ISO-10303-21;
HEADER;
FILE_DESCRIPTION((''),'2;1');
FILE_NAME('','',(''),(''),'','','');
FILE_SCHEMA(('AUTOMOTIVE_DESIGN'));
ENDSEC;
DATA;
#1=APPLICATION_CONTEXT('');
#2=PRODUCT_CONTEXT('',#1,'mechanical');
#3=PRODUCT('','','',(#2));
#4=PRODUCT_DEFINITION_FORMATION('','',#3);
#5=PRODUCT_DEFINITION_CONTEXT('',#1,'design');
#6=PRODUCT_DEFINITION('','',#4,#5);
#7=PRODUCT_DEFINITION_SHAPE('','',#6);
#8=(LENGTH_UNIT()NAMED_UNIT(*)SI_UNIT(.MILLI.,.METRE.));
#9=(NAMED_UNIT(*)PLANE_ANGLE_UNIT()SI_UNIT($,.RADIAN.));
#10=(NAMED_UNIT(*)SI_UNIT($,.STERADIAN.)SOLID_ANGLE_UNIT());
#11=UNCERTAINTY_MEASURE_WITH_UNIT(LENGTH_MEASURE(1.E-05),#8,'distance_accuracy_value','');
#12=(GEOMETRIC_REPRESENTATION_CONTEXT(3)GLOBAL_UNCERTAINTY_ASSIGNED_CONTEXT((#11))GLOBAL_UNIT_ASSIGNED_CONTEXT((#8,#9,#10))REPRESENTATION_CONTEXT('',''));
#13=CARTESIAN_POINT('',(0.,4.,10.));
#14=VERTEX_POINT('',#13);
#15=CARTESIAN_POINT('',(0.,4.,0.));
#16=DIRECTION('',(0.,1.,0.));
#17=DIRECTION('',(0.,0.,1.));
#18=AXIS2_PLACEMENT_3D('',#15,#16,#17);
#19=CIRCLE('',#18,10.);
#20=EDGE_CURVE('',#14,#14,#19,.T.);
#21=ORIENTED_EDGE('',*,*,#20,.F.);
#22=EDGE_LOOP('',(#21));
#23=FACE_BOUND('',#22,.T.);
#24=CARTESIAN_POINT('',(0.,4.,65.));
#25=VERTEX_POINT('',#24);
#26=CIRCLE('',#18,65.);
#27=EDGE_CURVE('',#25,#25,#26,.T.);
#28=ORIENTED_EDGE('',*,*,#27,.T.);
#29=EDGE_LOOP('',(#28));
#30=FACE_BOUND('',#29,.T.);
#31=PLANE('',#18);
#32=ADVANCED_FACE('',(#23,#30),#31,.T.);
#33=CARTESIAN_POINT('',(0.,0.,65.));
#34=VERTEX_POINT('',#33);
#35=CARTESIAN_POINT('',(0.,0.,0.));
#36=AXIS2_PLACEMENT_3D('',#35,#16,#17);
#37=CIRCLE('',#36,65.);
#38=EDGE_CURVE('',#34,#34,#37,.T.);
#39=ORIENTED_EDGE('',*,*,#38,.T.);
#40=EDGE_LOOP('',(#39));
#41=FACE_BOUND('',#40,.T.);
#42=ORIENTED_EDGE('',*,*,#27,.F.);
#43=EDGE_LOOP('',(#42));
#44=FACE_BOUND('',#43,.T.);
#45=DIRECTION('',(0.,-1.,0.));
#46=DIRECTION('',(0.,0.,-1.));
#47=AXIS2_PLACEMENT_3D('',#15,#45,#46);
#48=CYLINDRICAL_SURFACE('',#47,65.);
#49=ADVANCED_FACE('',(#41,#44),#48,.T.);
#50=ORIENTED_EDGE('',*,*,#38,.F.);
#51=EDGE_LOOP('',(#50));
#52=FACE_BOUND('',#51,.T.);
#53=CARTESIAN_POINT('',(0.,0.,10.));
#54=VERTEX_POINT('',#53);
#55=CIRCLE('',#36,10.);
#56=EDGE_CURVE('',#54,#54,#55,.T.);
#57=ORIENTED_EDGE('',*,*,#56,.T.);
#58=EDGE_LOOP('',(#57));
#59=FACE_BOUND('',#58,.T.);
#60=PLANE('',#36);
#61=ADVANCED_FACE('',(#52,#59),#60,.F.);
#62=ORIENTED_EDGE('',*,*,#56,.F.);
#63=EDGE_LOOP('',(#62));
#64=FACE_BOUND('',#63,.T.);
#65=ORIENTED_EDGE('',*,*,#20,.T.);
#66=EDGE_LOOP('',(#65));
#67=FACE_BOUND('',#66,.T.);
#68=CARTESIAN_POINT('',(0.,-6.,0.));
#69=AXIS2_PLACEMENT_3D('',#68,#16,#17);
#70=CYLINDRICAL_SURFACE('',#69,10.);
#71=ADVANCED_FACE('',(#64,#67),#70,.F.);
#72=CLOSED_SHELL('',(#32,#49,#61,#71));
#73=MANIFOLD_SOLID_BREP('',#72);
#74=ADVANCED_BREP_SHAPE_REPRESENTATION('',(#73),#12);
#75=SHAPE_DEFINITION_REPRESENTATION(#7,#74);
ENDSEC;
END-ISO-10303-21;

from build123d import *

# Parameters (mm, degrees)
SKETCH1_R           = 65
BOSS_EXTRUDE1_DEPTH = 4
SKETCH2_R           = 10
CUT_EXTRUDE1_DEPTH  = 10


with BuildPart() as part:
    # Sketch1 → Boss-Extrude1 (new body)
    with BuildSketch(Plane(origin=(0, 0, 0), x_dir=(1, 0, 0), z_dir=(0, 1, 0))):
        Circle(SKETCH1_R)
    extrude(amount=BOSS_EXTRUDE1_DEPTH)

    # Sketch2 → Cut-Extrude1 (cut)
    with BuildSketch(Plane(origin=(0, 4, 0), x_dir=(1, 0, 0), z_dir=(0, 1, 0))):
        Circle(SKETCH2_R)
    extrude(amount=-CUT_EXTRUDE1_DEPTH, mode=Mode.SUBTRACT)


solid = part.part
